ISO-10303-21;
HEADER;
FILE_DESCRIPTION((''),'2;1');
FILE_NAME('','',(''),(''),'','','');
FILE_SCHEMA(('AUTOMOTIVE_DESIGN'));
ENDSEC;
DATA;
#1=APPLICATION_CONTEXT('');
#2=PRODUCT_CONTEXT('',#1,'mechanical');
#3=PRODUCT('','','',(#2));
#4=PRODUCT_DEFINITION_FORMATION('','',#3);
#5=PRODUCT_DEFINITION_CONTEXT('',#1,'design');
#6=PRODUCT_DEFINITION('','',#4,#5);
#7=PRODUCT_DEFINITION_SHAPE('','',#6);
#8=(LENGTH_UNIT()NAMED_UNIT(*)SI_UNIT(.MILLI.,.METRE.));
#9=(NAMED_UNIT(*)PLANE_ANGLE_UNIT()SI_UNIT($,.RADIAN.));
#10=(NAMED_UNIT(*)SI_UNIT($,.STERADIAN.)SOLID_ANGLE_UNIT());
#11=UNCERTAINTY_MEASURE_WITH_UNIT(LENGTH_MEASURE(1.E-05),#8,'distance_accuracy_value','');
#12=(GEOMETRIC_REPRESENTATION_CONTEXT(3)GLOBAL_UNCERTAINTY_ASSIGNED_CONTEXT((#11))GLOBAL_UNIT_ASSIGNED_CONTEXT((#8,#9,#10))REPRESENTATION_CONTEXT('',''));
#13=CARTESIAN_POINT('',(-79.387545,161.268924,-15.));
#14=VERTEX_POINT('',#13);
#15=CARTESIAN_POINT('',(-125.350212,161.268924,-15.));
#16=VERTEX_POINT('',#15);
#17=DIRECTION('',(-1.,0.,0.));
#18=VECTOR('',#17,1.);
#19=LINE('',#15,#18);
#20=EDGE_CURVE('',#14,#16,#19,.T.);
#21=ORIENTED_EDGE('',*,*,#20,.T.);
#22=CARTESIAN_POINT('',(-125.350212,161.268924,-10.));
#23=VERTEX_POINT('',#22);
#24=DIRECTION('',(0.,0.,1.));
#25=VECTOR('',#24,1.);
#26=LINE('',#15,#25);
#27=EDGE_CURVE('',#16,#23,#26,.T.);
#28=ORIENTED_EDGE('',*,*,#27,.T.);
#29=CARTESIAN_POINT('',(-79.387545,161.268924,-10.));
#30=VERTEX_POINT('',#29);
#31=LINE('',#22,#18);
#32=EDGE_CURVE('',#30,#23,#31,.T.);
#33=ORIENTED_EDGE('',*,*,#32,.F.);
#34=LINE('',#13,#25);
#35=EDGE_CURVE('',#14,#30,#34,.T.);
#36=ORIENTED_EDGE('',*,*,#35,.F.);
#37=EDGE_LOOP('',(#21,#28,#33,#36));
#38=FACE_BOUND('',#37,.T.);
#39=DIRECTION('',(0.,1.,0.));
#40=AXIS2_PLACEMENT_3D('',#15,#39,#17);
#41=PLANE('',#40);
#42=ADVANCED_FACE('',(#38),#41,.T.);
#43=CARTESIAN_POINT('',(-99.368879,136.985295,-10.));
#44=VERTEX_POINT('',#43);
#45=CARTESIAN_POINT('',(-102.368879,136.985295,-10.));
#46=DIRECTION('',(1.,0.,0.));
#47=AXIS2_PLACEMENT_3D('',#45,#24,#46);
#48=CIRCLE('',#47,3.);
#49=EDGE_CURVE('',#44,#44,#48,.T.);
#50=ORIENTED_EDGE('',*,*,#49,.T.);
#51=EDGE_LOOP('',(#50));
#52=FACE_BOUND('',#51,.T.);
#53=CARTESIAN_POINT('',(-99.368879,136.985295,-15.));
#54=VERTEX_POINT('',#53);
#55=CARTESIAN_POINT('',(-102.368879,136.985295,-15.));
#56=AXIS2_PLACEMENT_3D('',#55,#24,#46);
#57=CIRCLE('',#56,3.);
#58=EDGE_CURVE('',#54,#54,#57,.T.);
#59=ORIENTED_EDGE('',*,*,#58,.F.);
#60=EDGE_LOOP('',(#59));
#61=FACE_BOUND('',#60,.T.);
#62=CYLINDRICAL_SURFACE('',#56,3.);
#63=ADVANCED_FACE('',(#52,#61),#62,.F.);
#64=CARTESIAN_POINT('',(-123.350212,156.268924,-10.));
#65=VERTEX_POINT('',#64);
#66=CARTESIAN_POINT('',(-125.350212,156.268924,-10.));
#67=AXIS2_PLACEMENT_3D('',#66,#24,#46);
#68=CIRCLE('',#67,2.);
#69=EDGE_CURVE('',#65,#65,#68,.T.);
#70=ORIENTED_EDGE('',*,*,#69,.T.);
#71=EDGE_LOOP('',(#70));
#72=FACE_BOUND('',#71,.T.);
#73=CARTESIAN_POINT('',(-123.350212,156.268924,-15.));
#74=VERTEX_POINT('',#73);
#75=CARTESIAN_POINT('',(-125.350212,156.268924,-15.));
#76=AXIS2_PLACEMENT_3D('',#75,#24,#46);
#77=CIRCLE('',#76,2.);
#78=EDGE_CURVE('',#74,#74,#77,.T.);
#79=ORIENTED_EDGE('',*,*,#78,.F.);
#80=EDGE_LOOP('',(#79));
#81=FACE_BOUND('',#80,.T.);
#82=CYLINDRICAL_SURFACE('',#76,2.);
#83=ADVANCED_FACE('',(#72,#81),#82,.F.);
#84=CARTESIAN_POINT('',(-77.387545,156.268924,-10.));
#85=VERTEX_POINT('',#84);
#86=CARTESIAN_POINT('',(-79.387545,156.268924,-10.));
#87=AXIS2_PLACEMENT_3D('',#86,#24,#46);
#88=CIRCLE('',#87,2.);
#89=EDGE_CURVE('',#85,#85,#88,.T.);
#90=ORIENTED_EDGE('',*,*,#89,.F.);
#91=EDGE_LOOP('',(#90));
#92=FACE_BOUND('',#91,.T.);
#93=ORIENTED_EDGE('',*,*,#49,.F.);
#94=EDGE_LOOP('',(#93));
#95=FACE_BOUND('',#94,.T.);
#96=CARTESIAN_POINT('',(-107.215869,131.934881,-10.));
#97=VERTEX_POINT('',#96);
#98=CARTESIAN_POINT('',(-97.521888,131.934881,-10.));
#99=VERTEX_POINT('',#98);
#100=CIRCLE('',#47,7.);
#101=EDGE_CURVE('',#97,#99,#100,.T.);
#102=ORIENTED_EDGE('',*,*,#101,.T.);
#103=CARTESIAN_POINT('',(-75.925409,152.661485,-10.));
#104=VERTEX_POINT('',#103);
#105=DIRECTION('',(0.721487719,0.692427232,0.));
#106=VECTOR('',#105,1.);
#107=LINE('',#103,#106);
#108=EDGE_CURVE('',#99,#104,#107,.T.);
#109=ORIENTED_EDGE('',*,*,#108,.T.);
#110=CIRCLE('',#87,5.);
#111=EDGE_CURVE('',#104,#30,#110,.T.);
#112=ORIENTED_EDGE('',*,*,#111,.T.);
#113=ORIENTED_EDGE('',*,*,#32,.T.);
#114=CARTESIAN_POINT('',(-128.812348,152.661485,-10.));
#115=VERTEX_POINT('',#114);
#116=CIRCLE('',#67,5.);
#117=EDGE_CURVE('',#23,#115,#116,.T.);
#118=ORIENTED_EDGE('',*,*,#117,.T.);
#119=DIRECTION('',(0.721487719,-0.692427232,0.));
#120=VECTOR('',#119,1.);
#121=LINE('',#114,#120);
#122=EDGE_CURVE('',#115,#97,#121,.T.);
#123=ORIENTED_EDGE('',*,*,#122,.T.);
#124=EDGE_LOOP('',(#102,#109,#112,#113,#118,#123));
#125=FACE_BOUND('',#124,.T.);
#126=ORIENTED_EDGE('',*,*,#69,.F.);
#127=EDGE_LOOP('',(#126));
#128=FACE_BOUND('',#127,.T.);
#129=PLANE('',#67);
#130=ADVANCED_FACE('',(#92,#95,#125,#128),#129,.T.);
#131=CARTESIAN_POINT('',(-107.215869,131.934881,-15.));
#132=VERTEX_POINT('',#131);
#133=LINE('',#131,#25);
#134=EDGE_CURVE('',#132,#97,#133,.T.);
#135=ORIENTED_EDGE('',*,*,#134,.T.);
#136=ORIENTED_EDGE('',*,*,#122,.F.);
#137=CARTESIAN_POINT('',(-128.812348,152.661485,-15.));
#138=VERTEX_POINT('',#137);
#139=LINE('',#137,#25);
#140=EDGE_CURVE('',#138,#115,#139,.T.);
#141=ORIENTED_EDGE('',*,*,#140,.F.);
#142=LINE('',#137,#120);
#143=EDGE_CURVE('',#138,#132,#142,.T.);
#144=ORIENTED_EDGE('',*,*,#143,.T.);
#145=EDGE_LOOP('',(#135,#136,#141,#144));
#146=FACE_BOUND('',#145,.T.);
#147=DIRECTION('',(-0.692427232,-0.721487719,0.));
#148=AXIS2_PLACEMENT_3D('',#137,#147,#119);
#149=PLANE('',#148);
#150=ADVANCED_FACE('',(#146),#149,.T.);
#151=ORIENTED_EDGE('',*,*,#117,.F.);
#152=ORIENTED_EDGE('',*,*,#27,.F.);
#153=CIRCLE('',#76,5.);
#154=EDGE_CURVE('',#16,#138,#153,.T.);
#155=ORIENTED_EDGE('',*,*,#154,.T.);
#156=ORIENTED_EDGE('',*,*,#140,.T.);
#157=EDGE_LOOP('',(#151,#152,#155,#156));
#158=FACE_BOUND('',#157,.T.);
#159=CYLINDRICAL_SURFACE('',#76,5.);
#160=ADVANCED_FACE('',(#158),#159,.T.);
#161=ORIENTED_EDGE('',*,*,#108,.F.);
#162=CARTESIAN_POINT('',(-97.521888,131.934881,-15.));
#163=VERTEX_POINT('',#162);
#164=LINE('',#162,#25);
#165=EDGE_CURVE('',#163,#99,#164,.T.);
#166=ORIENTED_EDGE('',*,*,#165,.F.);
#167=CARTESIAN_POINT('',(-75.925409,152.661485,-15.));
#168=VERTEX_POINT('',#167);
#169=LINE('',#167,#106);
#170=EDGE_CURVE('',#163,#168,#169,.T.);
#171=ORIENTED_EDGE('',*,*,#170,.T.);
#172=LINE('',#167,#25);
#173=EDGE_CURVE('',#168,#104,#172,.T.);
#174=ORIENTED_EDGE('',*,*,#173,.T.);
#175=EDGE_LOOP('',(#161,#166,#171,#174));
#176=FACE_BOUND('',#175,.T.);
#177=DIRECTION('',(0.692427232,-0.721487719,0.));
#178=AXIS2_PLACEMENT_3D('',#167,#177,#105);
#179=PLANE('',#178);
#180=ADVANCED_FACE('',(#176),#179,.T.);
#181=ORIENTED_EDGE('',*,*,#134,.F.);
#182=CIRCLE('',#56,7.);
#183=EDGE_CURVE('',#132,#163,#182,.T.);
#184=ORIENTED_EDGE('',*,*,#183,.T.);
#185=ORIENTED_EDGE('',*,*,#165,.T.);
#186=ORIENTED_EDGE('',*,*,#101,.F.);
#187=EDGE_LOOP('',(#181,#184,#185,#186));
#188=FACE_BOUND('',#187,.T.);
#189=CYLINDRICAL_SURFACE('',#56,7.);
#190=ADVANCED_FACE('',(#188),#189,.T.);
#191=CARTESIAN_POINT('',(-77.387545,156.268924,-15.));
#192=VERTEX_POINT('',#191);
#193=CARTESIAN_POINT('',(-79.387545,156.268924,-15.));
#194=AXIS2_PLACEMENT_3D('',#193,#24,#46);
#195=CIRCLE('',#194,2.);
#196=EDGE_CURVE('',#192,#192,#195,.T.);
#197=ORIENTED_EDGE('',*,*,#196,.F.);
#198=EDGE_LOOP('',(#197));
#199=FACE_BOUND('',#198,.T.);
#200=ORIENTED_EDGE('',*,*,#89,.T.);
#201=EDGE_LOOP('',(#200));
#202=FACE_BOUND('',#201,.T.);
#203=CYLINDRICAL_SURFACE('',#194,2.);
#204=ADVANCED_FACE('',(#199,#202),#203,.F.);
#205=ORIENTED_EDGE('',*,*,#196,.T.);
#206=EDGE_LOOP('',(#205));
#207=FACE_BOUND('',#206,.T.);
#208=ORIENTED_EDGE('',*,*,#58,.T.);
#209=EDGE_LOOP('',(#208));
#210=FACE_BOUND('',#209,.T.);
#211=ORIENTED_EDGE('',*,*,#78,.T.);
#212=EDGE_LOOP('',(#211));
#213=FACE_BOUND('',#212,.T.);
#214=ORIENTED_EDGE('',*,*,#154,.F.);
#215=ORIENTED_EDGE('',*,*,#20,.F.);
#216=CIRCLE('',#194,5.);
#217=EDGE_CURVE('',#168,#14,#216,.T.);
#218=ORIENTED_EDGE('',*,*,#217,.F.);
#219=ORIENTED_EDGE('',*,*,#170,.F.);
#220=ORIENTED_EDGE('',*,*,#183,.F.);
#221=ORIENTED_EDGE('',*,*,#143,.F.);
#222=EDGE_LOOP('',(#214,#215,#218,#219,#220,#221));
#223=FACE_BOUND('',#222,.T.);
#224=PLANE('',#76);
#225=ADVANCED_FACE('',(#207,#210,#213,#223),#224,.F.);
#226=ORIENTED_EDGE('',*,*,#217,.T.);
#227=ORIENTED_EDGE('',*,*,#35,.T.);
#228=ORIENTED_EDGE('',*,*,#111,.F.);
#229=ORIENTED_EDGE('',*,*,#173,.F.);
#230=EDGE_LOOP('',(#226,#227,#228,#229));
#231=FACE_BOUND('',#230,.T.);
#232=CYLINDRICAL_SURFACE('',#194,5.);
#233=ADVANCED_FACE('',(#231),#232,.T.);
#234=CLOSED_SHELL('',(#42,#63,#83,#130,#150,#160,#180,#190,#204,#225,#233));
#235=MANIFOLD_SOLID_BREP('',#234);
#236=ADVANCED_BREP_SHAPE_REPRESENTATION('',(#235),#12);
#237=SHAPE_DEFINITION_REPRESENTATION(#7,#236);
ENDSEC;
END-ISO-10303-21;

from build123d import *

# Parameters (mm, degrees)
BOSS_EXTRUDE1_START = -10
SKETCH1_R           = 3
SKETCH1_R_2         = 2
BOSS_EXTRUDE1_DEPTH = 5


with BuildPart() as part:
    # Sketch1 → Boss-Extrude1 (new body)
    with BuildSketch(Plane.XY.offset(BOSS_EXTRUDE1_START)):
        with BuildLine():
            Line((-125.350212025, 161.26892377), (-79.387545438, 161.26892377))
            ThreePointArc((-79.387545438, 161.26892377), (-74.748731312, 158.134775723), (-75.92540928, 152.661485175))
            Line((-75.92540928, 152.661485175), (-97.52188811, 131.934881446))
            ThreePointArc((-97.52188811, 131.934881446), (-102.368878731, 129.98529548), (-107.215869353, 131.934881446))
            Line((-107.215869353, 131.934881446), (-128.812348183, 152.661485175))
            ThreePointArc((-128.812348183, 152.661485175), (-129.98902615, 158.134775723), (-125.350212025, 161.26892377))
        make_face()
        with Locations((-102.368878731, 136.98529548)):
            Circle(SKETCH1_R, mode=Mode.SUBTRACT)
        with Locations((-79.387545438, 156.26892377)):
            Circle(SKETCH1_R_2, mode=Mode.SUBTRACT)
        with Locations((-125.350212025, 156.26892377)):
            Circle(SKETCH1_R_2, mode=Mode.SUBTRACT)
    extrude(amount=-BOSS_EXTRUDE1_DEPTH)


solid = part.part
